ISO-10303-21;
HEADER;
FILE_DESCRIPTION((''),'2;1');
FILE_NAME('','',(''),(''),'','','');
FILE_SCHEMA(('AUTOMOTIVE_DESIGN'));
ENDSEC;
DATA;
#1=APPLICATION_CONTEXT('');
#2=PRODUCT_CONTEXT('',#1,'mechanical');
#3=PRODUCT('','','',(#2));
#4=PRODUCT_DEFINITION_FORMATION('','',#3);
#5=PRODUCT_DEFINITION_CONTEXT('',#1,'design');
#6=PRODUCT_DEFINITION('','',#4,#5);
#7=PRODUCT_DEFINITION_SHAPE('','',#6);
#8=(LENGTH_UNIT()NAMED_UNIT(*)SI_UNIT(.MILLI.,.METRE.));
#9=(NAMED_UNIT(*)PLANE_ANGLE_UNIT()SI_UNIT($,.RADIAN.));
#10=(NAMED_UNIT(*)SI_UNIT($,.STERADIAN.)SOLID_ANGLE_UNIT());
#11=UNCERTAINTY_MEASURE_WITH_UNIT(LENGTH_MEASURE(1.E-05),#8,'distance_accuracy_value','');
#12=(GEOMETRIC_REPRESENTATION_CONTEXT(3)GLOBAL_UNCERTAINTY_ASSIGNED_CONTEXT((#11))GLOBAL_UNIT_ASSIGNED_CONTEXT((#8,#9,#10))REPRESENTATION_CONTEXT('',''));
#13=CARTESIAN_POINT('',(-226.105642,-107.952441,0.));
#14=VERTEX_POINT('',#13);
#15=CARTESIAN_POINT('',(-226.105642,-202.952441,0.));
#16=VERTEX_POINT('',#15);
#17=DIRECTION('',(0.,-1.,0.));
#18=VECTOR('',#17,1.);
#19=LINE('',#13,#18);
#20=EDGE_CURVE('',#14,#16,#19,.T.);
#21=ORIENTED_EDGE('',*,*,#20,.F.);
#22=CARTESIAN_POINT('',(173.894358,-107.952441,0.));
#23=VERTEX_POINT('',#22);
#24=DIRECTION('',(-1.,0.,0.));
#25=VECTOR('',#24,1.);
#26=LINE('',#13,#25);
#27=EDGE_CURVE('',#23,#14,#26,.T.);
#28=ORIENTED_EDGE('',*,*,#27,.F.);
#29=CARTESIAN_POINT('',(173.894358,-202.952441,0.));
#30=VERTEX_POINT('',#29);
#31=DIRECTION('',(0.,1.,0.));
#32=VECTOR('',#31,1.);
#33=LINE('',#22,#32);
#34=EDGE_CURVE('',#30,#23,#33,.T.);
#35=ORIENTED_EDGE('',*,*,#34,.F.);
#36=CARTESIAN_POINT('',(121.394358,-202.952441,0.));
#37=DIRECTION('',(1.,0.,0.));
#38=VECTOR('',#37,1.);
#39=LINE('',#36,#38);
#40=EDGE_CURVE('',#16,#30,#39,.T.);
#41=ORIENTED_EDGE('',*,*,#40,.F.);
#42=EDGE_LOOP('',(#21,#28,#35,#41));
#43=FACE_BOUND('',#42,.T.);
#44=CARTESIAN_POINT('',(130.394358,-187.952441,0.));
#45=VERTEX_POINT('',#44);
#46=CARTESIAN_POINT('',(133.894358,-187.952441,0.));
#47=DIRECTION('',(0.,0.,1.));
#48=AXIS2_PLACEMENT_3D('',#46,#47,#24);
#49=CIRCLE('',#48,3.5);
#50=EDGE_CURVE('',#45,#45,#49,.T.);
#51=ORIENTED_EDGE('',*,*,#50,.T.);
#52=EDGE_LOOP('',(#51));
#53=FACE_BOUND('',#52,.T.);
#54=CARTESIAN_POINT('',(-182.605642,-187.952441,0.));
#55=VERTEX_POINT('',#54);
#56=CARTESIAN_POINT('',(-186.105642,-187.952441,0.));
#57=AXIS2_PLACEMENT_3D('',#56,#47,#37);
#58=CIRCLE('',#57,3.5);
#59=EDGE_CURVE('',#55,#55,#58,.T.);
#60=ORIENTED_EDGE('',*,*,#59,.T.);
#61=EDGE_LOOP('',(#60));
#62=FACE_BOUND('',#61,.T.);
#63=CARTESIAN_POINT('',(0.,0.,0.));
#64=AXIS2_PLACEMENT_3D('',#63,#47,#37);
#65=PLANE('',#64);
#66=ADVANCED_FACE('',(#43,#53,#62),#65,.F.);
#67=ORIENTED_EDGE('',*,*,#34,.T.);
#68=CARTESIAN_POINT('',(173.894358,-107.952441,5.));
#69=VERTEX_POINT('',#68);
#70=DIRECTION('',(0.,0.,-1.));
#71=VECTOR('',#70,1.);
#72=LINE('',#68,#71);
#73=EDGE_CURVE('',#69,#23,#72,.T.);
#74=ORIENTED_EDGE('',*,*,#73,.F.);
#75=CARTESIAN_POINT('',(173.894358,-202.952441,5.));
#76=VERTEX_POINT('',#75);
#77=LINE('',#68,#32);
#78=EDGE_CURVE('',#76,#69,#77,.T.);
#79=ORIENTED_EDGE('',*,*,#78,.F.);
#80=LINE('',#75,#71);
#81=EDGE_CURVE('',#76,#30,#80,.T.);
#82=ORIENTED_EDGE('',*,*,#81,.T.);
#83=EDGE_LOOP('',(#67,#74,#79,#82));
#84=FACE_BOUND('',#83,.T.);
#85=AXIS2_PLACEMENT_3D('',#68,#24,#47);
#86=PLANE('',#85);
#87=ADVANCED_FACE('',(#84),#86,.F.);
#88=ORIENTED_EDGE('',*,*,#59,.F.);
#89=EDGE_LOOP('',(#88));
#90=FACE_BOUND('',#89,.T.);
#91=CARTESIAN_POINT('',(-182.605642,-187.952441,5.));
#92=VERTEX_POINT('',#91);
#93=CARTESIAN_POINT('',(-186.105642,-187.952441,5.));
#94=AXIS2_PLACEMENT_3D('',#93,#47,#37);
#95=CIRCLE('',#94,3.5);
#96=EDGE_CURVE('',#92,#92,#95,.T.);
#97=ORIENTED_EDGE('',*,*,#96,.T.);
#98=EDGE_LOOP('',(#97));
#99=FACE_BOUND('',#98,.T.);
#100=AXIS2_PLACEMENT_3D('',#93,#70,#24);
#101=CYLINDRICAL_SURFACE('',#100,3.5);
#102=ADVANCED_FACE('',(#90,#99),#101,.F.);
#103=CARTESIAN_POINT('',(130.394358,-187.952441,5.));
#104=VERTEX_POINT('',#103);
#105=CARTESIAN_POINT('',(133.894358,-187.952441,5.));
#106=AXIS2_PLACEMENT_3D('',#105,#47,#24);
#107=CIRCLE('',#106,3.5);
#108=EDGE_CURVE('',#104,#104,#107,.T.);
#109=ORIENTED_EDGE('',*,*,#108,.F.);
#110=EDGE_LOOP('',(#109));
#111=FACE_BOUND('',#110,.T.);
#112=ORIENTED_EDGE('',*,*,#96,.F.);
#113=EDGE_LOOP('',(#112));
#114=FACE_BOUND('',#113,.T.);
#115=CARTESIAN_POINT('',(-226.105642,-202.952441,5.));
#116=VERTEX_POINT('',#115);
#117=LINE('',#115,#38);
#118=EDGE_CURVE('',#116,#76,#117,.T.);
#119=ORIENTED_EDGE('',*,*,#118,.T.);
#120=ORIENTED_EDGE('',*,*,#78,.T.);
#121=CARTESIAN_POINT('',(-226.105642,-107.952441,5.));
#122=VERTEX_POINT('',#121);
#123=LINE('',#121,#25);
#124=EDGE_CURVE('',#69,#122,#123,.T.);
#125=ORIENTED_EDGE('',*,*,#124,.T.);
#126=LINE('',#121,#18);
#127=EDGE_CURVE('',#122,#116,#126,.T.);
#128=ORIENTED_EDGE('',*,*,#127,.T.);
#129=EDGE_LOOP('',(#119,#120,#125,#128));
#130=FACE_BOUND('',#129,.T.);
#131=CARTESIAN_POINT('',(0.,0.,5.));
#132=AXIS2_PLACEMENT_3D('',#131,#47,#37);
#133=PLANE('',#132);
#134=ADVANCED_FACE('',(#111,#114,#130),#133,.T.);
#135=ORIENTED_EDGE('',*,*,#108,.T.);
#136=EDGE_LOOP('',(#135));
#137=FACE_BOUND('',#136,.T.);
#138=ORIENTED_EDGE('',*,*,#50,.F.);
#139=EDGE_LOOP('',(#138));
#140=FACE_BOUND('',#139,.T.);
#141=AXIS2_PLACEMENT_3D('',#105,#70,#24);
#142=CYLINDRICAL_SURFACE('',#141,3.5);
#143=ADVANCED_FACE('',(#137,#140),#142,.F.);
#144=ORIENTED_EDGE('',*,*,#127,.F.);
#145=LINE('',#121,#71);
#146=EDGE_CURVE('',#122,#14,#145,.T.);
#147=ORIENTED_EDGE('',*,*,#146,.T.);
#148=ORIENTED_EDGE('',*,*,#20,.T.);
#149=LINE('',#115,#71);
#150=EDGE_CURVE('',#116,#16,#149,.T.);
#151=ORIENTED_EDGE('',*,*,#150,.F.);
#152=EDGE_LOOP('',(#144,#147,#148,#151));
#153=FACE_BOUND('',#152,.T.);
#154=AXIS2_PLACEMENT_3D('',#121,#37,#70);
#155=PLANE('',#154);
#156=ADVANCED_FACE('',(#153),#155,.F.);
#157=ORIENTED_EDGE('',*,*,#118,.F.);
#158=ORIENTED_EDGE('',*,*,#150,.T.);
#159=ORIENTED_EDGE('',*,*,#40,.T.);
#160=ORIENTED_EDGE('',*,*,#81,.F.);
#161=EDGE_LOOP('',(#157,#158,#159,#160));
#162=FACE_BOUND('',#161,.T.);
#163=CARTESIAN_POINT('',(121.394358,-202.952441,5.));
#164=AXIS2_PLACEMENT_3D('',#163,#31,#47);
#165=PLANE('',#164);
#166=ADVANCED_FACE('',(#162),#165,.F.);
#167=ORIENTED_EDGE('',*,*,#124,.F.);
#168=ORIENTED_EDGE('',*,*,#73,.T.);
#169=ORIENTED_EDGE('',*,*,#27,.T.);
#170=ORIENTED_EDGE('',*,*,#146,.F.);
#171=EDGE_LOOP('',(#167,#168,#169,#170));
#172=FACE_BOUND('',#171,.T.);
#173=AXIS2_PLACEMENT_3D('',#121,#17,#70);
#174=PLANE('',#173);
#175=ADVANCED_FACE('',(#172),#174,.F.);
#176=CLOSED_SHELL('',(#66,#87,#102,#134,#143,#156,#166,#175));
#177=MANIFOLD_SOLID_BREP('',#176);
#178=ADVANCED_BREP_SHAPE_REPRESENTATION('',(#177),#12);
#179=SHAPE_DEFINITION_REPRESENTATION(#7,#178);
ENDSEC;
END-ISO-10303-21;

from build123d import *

# Parameters (mm, degrees)
SKETCH_1_R      = 3.5
EXTRUDE_1_DEPTH = 5


with BuildPart() as part:
    # 草图1 → 凸台-拉伸1 (new body)
    with BuildSketch(Plane.XY):
        Polygon((-226.105641951, -107.952440937), (173.894358049, -107.952440937), (173.894358049, -202.952440937), (121.394358049, -202.952440937), (1.394358049, -202.952440937), (-53.605641951, -202.952440937), (-226.105641951, -202.952440937), align=None)
        with Locations((-186.105641951, -187.952440937)):
            Circle(SKETCH_1_R, mode=Mode.SUBTRACT)
        with Locations(Location((133.894358049, -187.952440937, 0), (0, 0, 180))):
            Circle(SKETCH_1_R, mode=Mode.SUBTRACT)
    extrude(amount=EXTRUDE_1_DEPTH)


solid = part.part
